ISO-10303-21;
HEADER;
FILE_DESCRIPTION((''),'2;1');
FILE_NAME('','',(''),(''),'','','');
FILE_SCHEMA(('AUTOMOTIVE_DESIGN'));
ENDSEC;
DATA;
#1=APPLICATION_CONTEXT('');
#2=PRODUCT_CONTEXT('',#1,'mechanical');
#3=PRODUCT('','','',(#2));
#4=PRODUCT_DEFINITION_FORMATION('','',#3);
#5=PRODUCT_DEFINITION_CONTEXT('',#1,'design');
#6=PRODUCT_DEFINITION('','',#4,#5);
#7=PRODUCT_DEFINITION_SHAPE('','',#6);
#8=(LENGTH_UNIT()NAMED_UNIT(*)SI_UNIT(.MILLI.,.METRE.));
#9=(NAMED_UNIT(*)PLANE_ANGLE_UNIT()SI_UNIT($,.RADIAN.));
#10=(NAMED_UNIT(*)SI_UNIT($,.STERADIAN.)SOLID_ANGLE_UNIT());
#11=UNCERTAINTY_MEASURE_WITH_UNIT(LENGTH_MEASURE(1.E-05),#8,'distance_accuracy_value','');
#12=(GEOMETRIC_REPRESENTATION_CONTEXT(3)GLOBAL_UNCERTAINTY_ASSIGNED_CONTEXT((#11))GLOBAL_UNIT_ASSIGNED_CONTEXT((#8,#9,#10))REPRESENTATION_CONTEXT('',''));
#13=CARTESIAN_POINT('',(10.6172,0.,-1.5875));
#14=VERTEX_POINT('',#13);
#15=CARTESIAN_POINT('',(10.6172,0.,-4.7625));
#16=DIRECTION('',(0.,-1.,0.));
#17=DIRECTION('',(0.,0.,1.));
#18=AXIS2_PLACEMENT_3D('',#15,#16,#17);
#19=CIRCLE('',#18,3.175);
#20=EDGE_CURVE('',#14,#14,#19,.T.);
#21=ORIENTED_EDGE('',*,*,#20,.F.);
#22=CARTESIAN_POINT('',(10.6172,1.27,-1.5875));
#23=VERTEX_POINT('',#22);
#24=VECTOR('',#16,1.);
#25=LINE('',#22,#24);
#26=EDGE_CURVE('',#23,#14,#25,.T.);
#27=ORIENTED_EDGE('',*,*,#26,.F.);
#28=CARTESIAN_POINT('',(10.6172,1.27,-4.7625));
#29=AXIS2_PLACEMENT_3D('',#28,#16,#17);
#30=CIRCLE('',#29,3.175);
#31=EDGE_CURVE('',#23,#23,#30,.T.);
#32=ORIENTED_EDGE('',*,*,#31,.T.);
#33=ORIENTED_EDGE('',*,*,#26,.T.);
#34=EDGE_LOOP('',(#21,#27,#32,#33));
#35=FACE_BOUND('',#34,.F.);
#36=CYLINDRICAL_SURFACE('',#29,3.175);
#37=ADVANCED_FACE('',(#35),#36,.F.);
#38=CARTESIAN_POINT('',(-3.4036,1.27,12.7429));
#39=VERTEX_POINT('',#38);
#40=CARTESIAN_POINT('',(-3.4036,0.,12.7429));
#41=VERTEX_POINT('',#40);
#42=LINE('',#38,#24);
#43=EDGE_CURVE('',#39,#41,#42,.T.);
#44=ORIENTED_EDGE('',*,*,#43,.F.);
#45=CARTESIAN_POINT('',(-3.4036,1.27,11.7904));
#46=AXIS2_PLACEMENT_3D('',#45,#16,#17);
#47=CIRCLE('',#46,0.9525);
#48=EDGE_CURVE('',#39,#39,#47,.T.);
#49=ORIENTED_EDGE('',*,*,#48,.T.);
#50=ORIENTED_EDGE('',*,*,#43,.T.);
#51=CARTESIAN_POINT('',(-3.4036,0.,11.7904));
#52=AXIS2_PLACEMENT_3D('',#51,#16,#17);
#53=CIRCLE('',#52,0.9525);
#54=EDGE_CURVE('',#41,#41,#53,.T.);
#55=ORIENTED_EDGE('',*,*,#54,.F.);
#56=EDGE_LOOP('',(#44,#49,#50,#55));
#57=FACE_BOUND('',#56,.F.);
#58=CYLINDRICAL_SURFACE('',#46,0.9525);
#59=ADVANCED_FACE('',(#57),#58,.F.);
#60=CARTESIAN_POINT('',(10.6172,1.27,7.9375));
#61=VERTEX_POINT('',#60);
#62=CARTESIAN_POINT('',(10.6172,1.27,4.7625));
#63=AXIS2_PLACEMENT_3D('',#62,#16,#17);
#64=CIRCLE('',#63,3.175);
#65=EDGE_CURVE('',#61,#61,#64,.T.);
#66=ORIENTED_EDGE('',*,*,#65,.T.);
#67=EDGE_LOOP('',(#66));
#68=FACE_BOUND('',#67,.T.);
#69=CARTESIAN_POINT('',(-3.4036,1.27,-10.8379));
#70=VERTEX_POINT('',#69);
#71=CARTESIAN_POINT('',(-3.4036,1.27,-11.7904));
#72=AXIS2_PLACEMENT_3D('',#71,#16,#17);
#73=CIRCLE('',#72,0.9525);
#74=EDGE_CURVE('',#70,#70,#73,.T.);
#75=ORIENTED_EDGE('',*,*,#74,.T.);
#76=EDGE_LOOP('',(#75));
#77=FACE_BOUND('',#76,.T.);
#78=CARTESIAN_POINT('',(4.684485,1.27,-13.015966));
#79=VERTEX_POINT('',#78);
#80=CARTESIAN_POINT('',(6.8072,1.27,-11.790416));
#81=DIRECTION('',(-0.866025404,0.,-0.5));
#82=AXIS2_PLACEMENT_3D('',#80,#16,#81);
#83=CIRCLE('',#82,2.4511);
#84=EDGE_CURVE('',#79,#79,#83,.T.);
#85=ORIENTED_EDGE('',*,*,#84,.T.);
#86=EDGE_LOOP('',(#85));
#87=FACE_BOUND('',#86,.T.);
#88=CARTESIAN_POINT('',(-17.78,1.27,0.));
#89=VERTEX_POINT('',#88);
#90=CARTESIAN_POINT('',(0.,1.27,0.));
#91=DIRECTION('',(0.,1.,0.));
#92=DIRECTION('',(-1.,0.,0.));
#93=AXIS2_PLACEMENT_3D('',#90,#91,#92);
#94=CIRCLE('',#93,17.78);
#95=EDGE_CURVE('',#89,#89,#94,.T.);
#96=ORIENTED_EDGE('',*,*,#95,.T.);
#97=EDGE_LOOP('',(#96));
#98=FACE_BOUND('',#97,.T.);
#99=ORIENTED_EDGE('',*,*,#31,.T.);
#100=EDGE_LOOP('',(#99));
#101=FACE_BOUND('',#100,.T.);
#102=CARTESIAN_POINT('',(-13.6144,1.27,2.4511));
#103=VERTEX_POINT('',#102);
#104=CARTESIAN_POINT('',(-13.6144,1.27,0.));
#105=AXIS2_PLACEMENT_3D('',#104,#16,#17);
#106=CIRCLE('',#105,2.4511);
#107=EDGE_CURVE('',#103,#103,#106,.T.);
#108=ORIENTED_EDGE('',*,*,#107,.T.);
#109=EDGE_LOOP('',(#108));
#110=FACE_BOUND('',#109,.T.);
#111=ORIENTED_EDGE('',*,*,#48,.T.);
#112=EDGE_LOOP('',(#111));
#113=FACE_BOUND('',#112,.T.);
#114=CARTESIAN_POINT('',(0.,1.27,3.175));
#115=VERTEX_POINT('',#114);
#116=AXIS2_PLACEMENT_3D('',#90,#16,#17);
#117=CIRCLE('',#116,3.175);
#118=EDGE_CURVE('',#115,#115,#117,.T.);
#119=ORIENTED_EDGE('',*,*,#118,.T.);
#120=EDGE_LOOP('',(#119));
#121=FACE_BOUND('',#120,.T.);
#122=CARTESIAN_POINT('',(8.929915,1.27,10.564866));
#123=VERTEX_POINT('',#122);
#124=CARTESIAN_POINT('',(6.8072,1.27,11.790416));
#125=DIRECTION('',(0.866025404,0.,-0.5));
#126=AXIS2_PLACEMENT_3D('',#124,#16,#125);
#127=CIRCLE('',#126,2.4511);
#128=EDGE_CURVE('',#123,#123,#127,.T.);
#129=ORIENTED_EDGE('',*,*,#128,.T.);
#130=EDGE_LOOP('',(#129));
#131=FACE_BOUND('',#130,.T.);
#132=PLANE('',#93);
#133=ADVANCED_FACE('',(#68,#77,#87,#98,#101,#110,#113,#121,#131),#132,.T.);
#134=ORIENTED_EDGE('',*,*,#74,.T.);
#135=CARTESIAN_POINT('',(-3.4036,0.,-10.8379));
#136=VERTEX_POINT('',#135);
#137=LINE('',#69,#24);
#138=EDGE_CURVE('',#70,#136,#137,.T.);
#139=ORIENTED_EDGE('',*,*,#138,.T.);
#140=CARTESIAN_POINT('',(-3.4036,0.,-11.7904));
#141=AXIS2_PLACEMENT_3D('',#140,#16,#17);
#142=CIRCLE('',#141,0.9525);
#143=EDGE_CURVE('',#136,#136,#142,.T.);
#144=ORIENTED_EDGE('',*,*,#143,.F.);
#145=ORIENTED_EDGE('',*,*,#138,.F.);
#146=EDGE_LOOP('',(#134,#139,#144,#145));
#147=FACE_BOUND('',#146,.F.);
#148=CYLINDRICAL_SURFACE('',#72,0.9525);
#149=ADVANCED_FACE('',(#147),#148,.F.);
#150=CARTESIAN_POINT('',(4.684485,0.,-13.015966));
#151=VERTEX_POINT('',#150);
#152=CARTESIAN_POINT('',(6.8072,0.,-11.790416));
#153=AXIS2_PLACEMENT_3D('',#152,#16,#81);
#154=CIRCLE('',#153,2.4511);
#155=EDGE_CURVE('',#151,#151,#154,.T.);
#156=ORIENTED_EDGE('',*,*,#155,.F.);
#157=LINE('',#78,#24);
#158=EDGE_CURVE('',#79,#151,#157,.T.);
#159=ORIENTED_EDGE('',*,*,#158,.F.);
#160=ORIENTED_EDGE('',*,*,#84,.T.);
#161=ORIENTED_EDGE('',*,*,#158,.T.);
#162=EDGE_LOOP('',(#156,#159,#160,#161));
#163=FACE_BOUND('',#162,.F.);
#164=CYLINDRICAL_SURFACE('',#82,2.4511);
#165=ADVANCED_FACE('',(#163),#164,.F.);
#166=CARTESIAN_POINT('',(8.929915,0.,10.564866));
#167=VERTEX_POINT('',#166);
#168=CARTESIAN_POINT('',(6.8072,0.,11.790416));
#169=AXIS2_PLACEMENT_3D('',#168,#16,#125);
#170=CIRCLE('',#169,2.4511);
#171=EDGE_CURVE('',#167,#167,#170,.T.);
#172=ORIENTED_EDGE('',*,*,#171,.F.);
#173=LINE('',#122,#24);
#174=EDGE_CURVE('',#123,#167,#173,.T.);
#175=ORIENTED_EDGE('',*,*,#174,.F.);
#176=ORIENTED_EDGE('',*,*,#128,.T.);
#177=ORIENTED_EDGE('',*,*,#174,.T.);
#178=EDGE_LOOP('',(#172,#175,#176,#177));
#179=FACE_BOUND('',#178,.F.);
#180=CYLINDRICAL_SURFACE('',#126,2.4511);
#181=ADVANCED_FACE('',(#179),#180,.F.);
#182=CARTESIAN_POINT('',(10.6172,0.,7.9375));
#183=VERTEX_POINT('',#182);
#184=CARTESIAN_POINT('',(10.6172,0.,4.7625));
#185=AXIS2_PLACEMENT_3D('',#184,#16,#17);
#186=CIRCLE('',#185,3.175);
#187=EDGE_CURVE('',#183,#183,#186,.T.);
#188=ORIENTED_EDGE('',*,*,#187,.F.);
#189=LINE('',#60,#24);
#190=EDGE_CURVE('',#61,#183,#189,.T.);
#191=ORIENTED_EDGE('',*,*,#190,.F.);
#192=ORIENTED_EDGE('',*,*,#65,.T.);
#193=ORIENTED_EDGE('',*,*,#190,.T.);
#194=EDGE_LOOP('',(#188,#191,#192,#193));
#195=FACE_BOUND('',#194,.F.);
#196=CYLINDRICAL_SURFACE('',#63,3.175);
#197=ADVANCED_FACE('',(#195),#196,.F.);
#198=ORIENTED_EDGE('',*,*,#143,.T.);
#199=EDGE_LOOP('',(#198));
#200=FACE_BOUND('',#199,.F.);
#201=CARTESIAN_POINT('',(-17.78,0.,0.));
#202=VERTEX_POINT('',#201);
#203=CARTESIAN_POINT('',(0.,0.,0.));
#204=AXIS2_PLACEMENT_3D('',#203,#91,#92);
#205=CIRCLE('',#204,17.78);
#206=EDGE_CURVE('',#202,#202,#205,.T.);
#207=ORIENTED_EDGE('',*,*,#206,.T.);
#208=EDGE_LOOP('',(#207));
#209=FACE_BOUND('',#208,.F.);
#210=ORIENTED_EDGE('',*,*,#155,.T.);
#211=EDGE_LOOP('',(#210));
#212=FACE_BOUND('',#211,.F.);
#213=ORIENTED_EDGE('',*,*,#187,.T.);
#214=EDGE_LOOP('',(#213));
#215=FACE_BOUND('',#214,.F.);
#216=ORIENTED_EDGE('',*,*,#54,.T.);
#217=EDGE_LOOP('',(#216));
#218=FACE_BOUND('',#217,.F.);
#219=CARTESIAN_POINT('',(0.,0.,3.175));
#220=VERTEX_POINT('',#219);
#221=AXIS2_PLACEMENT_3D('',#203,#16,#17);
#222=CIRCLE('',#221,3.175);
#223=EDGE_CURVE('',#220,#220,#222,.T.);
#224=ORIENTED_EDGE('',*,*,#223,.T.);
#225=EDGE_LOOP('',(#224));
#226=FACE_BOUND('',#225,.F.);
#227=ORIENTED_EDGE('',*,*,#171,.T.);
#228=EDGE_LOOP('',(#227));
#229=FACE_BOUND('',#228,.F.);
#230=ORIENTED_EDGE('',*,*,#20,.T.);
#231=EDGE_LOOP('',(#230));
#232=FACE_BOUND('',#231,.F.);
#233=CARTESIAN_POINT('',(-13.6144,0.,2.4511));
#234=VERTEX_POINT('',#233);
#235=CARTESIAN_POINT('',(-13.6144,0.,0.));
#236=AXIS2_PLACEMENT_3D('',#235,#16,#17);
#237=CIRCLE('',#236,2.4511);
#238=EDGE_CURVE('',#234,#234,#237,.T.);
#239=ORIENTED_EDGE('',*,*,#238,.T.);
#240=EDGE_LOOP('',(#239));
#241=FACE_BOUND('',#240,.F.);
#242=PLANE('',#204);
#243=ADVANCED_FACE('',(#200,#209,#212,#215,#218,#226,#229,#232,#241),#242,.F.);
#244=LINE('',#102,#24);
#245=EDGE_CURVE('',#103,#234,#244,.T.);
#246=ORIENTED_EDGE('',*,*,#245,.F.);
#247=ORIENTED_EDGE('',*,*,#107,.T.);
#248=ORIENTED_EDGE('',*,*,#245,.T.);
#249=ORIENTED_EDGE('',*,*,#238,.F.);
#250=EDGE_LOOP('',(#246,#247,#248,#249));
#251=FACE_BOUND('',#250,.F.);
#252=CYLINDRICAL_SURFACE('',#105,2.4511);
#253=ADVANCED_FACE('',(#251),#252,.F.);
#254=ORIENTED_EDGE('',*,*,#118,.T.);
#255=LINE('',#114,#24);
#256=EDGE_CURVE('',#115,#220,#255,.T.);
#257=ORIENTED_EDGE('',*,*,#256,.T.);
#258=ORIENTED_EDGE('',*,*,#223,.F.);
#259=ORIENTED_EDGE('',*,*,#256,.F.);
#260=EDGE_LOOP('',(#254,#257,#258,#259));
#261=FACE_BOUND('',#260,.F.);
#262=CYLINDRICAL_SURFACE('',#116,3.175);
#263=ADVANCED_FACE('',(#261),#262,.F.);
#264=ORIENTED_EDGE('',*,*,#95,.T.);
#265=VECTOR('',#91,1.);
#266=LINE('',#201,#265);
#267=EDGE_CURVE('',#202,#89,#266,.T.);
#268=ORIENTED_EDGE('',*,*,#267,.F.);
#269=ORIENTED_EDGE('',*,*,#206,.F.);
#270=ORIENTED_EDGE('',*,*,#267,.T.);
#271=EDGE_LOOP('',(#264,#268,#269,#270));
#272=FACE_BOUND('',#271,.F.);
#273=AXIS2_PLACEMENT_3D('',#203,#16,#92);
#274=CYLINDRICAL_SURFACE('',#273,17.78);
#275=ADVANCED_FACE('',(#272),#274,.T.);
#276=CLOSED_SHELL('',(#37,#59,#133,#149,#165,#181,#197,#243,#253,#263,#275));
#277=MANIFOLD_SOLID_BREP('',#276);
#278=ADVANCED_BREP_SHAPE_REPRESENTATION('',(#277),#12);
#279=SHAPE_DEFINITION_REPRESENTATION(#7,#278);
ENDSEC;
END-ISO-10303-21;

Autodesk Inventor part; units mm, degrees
ref_plane "YZ Plane" through (0, 0, 0) normal (1, 0, 0) x (0, 1, 0)
ref_plane "XZ Plane" through (0, 0, 0) normal (0, 1, 0) x (-1, 0, 0)
ref_plane "XY Plane" through (0, 0, 0) normal (0, 0, 1) x (1, 0, 0)
sketch "Sketch1" plane through (0, 0, 0) normal (0, 1, 0) x (-1, 0, 0)
  circle A0 centre (0, 0) radius 17.78
  dimension "d0" = 35.56
extrude "Extrusion1" add sketch "Sketch1" along normal blind 1.27
sketch "Sketch2" plane through (0, 1.27, 0) normal (0, 1, 0) x (1, 0, 0)
  circle A0 centre (0, 0) radius 17.78 projected
hole "Hole1" at (0, 1.27, 0) direction (0, -1, 0) diameter 6.35 end through all
sketch "Sketch3" plane through (0, 1.27, 0) normal (0, 1, 0) x (1, 0, 0)
  line L0 (0, 0) -> (-13.6144, 0)
  dimension "d10" = 13.6144
hole "Hole2" at (-13.6144, 1.27, 0) direction (0, -1, 0) diameter 4.9022 end through all
pattern_circular "Circular Pattern1" count 3 over 360 about axis through (0, -49.0355, 0) along (0, 1, 0) of "Hole2"
sketch "Sketch5" plane through (0, 1.27, 0) normal (0, 1, 0) x (1, 0, 0)
  circle A0 centre (-13.6144, 0) radius 2.4511 projected
  circle A1 centre (6.8072, 11.7904) radius 2.4511 projected
  line L0 (-13.6144, 0) -> (6.8072, 11.7904)
  circle A2 centre (6.8072, -11.7904) radius 2.4511 projected
  line L1 (6.8072, 11.7904) -> (6.8072, -11.7904)
  line L2 (6.8072, -11.7904) -> (-13.6144, 0)
  line L3 (-13.6144, 0) -> (-13.6144, -11.7904)
  line L4 (-13.6144, -11.7904) -> (6.8072, -11.7904)
  line L5 (-13.6144, 0) -> (-13.6144, 11.7904)
  line L6 (-13.6144, 11.7904) -> (6.8072, 11.7904)
  circle A3 centre (-3.4036, 11.7904) radius 0.635
  circle A4 centre (-3.4036, -11.7904) radius 0.635
  point P0 (0, 0)
  dimension "d28" = 1.27
hole "Hole4" at (-3.4036, 1.27, 11.7904) at (-3.4036, 1.27, -11.7904) direction (0, -1, 0) diameter 1.905 depth 6.35 tip angle 118
sketch "Sketch6" plane through (0, 1.27, 0) normal (0, 1, 0) x (1, 0, 0)
  circle A0 centre (6.8072, 11.7904) radius 2.4511 projected
  circle A1 centre (6.8072, -11.7904) radius 2.4511 projected
  line L0 (6.8072, 11.7904) -> (6.8072, -11.7904)
  line L1 (0, 0) -> (17.6436, 0)
  line L2 (0, 0) -> (12.7, 0)
  line L3 (0, 0) -> (17.78, 0)
  circle A2 centre (0, 0) radius 17.78 projected
  line L4 (6.8072, 0) -> (10.6172, 0)
  line L5 (10.6172, 0) -> (10.6172, 6.35)
  line L6 (10.6172, 6.35) -> (10.6172, -6.35)
  line L7 (10.6172, -6.35) -> (10.6172, -3.175)
  line L8 (10.6172, -3.175) -> (10.6172, 3.175)
  line L9 (10.6172, 6.35) -> (10.6172, 3.175)
  line L10 (10.6172, -3.175) -> (10.6172, -6.35)
  circle A3 centre (10.6172, 4.7625) radius 3.175
  circle A4 centre (10.6172, -4.7625) radius 3.175
  dimension "d36" = 12.7
  dimension "d37" = 3.81
  dimension "d38" = 6.35
  dimension "d39" = 12.7
  dimension "d40" = 3.175
  dimension "d41" = 6.35
  dimension "d42" = 180
  dimension "d43" = 6.35
  dimension "d44" = 6.35
hole "Hole5" at (10.6172, 1.27, -4.7625) at (10.6172, 1.27, 4.7625) direction (0, -1, 0) diameter 6.35 depth 6.35
properties part number "buffer" material "PBT Plastic"
